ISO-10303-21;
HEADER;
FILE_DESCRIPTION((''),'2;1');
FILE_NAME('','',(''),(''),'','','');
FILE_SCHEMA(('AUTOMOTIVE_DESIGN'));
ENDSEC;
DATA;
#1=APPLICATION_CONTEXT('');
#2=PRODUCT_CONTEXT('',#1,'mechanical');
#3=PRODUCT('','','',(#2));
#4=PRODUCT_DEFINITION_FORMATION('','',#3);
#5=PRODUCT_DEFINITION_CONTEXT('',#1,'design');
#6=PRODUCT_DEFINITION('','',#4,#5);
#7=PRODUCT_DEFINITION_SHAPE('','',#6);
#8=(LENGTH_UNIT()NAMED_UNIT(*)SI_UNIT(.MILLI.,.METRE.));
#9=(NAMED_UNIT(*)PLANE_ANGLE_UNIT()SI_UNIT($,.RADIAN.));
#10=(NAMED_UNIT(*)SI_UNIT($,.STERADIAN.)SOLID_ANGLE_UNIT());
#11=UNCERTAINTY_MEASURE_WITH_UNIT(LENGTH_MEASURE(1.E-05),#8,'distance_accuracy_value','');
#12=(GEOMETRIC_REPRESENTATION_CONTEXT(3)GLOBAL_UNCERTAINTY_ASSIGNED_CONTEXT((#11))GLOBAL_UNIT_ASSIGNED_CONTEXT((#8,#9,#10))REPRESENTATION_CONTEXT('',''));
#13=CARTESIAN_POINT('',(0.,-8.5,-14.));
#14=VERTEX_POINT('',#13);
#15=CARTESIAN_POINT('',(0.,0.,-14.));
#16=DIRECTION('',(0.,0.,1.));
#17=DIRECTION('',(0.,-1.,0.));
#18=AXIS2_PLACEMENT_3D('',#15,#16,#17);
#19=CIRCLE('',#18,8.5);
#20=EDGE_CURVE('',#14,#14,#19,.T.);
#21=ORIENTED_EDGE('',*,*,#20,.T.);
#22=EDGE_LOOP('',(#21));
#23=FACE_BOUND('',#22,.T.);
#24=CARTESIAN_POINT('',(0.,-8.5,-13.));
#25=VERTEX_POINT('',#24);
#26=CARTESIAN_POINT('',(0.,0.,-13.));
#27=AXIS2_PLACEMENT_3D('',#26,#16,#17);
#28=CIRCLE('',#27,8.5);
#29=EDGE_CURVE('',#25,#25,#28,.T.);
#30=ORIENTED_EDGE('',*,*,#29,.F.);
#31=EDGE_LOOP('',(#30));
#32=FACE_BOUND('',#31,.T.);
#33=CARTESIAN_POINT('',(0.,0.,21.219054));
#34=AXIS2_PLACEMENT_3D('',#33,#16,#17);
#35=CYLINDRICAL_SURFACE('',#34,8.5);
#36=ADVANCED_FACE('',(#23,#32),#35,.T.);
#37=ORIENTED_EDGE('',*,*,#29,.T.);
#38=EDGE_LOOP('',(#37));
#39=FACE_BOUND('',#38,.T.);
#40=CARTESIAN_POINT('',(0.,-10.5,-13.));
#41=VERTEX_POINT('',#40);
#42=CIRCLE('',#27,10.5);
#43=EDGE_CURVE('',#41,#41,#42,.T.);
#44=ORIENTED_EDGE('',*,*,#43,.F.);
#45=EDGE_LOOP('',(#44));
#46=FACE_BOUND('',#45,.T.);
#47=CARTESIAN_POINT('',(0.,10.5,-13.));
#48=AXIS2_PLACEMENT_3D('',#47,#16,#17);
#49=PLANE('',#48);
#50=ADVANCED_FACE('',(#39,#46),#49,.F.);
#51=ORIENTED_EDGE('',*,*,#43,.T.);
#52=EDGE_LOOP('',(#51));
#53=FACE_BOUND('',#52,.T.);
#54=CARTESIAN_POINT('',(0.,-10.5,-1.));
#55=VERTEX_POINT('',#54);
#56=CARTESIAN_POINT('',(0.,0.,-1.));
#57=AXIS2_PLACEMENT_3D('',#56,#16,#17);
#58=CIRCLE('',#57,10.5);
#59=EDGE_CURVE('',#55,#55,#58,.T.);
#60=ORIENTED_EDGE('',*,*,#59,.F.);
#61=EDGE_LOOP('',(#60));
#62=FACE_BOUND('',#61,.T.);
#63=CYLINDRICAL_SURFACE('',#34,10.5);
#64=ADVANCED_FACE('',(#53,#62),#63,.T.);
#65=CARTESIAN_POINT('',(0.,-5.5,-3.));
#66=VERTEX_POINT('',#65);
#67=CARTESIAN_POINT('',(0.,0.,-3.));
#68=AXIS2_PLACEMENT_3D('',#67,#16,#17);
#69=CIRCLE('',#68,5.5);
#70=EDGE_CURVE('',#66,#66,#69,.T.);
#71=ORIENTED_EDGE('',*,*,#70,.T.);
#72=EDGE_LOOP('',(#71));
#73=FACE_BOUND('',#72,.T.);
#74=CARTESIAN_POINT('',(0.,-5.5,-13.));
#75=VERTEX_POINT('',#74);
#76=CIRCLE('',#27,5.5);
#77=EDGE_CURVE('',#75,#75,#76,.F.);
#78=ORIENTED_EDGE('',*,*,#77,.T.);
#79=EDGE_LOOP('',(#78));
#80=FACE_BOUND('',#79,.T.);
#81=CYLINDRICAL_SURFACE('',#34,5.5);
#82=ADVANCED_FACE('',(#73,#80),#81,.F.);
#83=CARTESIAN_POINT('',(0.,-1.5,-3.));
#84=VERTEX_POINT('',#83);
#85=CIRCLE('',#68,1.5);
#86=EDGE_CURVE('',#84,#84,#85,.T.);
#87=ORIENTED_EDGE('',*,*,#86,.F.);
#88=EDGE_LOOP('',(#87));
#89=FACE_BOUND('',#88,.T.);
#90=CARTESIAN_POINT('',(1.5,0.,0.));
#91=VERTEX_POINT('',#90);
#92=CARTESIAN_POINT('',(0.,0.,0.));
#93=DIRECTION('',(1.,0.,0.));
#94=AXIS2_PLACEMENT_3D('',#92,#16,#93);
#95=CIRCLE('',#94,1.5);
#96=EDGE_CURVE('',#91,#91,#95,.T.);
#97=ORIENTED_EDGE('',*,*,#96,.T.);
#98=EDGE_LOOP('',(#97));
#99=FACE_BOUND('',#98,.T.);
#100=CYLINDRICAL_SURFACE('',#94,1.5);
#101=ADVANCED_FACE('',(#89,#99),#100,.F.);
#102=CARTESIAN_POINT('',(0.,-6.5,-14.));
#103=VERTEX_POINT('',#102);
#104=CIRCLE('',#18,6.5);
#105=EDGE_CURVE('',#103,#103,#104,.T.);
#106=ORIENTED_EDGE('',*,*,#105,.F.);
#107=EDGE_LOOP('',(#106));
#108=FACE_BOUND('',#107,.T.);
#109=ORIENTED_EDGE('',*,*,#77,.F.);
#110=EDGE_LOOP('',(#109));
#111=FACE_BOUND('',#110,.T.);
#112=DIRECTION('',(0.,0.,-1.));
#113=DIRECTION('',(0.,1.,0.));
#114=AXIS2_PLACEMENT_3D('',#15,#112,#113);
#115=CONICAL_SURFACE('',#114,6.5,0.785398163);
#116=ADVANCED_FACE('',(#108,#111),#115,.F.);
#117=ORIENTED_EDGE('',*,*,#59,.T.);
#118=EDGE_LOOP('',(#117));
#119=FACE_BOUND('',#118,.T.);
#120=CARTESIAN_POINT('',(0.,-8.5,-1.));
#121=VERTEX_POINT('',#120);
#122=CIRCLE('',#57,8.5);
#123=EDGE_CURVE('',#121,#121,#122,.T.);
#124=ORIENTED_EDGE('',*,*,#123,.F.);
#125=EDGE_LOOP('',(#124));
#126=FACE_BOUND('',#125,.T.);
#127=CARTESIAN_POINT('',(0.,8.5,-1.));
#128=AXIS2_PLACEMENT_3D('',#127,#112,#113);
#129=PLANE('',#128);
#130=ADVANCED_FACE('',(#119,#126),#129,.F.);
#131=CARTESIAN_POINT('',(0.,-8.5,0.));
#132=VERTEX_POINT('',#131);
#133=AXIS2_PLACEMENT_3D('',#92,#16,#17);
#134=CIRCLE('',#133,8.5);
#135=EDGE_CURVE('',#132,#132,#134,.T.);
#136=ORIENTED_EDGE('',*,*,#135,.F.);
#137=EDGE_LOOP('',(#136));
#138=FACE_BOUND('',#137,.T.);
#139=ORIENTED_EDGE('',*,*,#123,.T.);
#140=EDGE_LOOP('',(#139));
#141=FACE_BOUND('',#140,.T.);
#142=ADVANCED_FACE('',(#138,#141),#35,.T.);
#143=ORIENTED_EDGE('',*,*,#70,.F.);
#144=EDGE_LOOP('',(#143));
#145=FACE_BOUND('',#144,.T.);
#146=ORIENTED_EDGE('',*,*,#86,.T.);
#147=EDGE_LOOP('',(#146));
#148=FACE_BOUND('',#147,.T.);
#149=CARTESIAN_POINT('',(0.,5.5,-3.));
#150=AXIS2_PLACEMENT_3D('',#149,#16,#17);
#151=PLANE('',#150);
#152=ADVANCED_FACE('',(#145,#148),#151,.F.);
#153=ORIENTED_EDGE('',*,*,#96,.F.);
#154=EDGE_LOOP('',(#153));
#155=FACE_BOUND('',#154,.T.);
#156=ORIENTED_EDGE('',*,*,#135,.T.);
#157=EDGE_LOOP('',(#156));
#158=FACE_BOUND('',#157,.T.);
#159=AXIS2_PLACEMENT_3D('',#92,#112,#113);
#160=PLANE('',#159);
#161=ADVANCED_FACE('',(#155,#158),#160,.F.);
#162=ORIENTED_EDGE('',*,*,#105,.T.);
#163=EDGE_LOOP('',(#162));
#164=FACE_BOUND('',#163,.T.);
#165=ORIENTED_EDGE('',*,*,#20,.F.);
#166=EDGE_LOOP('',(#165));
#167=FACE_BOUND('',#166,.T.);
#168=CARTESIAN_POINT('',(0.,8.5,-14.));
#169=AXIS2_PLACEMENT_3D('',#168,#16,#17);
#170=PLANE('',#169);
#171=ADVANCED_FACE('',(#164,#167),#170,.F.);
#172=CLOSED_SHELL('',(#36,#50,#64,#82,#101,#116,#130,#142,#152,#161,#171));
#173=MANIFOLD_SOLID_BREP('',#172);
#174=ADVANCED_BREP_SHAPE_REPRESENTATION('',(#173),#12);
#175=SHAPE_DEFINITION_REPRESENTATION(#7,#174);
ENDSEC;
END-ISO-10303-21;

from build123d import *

# Parameters (mm, degrees)
F_3_0_3_DIAMETER_HOLE1_D = 3
CHAMFER1_SIZE            = 1


with BuildPart() as part:
    # Sketch1 → Revolve1 (revolve)
    with BuildSketch(Plane(origin=(0, 0, 0), x_dir=(0, 0, -1), z_dir=(1, 0, 0)), mode=Mode.PRIVATE) as revolve1_sk:
        Polygon((0, 0), (0, 8.5), (1, 8.5), (1, 10.5), (13, 10.5), (13, 8.5), (14, 8.5), (14, 5.5), (3, 5.5), (3, 0), align=None)
    revolve(revolve1_sk.sketch.rotate(Axis((0, 0, 21.219054242), (0, 0, -1)), 180), axis=Axis((0, 0, 21.219054242), (0, 0, -1)))

    # Ø3.0 (3) Diameter Hole1 (through all)
    with Locations(Plane.XY):
        with Locations((0, 0)):
            Hole(F_3_0_3_DIAMETER_HOLE1_D / 2)

    # Chamfer1
    chamfer1_edges = [part.edges().sort_by_distance(p)[0] for p in [
        (0, 5.5, -14),
    ]]
    chamfer(chamfer1_edges, length=CHAMFER1_SIZE)


solid = part.part
